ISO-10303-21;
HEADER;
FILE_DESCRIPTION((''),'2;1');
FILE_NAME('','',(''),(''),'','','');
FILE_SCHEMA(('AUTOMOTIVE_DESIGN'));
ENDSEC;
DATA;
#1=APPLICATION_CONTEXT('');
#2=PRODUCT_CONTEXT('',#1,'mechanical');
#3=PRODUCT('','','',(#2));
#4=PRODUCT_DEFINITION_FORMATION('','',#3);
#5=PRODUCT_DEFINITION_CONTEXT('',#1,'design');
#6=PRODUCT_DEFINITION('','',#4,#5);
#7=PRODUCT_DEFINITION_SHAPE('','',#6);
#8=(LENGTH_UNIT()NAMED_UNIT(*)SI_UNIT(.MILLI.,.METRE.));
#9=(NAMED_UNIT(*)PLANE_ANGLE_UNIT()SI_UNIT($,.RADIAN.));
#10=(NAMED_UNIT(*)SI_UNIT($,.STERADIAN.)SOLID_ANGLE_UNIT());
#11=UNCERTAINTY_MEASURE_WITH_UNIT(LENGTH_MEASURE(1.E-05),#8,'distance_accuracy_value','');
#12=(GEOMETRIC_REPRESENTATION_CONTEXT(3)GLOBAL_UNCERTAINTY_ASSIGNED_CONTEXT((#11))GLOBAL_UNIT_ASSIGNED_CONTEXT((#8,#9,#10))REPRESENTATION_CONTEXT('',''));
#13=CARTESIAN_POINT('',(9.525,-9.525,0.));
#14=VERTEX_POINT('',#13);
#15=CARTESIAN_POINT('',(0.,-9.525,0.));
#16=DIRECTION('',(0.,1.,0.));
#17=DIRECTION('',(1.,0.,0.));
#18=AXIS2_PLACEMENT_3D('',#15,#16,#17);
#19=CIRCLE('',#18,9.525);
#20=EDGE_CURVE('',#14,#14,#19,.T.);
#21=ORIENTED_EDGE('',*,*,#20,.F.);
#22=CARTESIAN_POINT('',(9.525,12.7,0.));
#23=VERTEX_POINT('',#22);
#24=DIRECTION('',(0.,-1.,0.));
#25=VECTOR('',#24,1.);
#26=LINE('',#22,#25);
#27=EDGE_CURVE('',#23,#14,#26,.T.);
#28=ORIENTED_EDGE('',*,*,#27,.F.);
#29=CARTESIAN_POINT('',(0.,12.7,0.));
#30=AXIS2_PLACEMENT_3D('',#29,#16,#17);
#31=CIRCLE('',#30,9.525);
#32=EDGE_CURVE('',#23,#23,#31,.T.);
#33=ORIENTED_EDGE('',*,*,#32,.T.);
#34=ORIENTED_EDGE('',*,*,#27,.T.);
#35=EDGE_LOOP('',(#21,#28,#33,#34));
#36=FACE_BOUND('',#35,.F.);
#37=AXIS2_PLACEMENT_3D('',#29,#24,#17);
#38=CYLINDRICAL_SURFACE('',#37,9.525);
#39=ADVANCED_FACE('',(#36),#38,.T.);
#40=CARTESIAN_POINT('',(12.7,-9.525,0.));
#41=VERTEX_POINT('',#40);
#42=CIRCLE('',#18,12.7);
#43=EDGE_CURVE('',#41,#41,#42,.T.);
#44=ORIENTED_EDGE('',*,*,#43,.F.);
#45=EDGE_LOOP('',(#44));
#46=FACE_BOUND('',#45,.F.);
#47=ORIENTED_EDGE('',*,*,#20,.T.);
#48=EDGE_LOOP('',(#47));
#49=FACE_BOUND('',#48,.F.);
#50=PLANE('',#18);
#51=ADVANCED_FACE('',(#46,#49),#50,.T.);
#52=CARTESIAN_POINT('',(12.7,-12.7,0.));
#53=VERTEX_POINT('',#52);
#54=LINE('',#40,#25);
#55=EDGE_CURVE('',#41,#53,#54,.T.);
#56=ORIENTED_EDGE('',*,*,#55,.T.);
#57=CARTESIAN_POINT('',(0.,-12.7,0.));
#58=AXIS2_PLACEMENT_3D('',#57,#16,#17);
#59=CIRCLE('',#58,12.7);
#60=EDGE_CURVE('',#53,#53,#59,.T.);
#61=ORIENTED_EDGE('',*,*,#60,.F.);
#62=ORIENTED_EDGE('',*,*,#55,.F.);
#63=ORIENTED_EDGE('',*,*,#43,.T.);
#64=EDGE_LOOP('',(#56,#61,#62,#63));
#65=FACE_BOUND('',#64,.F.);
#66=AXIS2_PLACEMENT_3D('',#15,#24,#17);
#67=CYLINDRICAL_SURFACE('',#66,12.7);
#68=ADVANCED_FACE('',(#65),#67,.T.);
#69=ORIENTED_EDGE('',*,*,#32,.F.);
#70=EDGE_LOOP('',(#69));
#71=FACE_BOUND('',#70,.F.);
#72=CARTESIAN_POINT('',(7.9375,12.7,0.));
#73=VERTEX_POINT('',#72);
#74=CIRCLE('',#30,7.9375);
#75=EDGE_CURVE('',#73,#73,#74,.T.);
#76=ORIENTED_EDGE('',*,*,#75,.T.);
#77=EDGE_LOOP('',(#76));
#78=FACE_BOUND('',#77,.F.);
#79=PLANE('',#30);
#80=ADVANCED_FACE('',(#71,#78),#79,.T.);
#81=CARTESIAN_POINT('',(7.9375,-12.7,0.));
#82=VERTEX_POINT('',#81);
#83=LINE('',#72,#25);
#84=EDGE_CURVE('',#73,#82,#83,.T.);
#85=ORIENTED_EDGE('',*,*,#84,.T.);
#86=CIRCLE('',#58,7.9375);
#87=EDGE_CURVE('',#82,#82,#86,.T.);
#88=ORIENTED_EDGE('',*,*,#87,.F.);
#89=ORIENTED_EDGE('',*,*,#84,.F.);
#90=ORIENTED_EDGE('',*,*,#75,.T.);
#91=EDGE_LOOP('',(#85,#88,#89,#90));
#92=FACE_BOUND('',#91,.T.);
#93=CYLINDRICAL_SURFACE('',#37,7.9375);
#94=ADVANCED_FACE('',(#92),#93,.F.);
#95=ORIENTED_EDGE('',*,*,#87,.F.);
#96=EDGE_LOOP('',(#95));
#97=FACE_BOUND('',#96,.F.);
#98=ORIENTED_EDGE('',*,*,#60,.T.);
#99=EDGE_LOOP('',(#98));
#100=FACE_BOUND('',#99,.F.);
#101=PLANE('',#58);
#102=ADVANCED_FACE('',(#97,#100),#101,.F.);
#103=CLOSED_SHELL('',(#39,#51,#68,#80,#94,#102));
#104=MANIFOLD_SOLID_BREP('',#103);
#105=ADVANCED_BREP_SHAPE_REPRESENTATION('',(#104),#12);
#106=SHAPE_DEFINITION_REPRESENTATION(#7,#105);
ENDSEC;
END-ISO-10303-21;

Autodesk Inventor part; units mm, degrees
ref_plane "YZ Plane" through (0, 0, 0) normal (1, 0, 0) x (0, 1, 0)
ref_plane "XZ Plane" through (0, 0, 0) normal (0, 1, 0) x (-1, 0, 0)
ref_plane "XY Plane" through (0, 0, 0) normal (0, 0, 1) x (1, 0, 0)
sketch "Sketch1" plane through (0, 0, 0) normal (0, 0, 1) x (1, 0, 0)
  line L0 (0, 0) -> (0, 12.7) construction
  line L1 (7.9375, 12.7) -> (7.9375, -12.7)
  line L2 (7.9375, 12.7) -> (0, 0) construction
  line L3 (7.9375, -12.7) -> (0, 0) construction
  line L4 (7.9375, 12.7) -> (9.525, 12.7)
  line L5 (9.525, 12.7) -> (9.525, -9.525)
  line L6 (9.525, -9.525) -> (12.7, -9.525)
  line L7 (12.7, -9.525) -> (12.7, -12.7)
  line L8 (12.7, -12.7) -> (7.9375, -12.7)
  dimension "ID" = 15.875
  dimension "OD" = 19.05
  dimension "Thickness" = 3.175
  dimension "FlangeOD" = 25.4
  dimension "length" = 25.4
revolve "Revolution1" add sketch "Sketch1" angle 360 about axis through (0, 0, 0) along (0, 1, 0)
properties part number "6338K471" material "Bronze, Cast"
